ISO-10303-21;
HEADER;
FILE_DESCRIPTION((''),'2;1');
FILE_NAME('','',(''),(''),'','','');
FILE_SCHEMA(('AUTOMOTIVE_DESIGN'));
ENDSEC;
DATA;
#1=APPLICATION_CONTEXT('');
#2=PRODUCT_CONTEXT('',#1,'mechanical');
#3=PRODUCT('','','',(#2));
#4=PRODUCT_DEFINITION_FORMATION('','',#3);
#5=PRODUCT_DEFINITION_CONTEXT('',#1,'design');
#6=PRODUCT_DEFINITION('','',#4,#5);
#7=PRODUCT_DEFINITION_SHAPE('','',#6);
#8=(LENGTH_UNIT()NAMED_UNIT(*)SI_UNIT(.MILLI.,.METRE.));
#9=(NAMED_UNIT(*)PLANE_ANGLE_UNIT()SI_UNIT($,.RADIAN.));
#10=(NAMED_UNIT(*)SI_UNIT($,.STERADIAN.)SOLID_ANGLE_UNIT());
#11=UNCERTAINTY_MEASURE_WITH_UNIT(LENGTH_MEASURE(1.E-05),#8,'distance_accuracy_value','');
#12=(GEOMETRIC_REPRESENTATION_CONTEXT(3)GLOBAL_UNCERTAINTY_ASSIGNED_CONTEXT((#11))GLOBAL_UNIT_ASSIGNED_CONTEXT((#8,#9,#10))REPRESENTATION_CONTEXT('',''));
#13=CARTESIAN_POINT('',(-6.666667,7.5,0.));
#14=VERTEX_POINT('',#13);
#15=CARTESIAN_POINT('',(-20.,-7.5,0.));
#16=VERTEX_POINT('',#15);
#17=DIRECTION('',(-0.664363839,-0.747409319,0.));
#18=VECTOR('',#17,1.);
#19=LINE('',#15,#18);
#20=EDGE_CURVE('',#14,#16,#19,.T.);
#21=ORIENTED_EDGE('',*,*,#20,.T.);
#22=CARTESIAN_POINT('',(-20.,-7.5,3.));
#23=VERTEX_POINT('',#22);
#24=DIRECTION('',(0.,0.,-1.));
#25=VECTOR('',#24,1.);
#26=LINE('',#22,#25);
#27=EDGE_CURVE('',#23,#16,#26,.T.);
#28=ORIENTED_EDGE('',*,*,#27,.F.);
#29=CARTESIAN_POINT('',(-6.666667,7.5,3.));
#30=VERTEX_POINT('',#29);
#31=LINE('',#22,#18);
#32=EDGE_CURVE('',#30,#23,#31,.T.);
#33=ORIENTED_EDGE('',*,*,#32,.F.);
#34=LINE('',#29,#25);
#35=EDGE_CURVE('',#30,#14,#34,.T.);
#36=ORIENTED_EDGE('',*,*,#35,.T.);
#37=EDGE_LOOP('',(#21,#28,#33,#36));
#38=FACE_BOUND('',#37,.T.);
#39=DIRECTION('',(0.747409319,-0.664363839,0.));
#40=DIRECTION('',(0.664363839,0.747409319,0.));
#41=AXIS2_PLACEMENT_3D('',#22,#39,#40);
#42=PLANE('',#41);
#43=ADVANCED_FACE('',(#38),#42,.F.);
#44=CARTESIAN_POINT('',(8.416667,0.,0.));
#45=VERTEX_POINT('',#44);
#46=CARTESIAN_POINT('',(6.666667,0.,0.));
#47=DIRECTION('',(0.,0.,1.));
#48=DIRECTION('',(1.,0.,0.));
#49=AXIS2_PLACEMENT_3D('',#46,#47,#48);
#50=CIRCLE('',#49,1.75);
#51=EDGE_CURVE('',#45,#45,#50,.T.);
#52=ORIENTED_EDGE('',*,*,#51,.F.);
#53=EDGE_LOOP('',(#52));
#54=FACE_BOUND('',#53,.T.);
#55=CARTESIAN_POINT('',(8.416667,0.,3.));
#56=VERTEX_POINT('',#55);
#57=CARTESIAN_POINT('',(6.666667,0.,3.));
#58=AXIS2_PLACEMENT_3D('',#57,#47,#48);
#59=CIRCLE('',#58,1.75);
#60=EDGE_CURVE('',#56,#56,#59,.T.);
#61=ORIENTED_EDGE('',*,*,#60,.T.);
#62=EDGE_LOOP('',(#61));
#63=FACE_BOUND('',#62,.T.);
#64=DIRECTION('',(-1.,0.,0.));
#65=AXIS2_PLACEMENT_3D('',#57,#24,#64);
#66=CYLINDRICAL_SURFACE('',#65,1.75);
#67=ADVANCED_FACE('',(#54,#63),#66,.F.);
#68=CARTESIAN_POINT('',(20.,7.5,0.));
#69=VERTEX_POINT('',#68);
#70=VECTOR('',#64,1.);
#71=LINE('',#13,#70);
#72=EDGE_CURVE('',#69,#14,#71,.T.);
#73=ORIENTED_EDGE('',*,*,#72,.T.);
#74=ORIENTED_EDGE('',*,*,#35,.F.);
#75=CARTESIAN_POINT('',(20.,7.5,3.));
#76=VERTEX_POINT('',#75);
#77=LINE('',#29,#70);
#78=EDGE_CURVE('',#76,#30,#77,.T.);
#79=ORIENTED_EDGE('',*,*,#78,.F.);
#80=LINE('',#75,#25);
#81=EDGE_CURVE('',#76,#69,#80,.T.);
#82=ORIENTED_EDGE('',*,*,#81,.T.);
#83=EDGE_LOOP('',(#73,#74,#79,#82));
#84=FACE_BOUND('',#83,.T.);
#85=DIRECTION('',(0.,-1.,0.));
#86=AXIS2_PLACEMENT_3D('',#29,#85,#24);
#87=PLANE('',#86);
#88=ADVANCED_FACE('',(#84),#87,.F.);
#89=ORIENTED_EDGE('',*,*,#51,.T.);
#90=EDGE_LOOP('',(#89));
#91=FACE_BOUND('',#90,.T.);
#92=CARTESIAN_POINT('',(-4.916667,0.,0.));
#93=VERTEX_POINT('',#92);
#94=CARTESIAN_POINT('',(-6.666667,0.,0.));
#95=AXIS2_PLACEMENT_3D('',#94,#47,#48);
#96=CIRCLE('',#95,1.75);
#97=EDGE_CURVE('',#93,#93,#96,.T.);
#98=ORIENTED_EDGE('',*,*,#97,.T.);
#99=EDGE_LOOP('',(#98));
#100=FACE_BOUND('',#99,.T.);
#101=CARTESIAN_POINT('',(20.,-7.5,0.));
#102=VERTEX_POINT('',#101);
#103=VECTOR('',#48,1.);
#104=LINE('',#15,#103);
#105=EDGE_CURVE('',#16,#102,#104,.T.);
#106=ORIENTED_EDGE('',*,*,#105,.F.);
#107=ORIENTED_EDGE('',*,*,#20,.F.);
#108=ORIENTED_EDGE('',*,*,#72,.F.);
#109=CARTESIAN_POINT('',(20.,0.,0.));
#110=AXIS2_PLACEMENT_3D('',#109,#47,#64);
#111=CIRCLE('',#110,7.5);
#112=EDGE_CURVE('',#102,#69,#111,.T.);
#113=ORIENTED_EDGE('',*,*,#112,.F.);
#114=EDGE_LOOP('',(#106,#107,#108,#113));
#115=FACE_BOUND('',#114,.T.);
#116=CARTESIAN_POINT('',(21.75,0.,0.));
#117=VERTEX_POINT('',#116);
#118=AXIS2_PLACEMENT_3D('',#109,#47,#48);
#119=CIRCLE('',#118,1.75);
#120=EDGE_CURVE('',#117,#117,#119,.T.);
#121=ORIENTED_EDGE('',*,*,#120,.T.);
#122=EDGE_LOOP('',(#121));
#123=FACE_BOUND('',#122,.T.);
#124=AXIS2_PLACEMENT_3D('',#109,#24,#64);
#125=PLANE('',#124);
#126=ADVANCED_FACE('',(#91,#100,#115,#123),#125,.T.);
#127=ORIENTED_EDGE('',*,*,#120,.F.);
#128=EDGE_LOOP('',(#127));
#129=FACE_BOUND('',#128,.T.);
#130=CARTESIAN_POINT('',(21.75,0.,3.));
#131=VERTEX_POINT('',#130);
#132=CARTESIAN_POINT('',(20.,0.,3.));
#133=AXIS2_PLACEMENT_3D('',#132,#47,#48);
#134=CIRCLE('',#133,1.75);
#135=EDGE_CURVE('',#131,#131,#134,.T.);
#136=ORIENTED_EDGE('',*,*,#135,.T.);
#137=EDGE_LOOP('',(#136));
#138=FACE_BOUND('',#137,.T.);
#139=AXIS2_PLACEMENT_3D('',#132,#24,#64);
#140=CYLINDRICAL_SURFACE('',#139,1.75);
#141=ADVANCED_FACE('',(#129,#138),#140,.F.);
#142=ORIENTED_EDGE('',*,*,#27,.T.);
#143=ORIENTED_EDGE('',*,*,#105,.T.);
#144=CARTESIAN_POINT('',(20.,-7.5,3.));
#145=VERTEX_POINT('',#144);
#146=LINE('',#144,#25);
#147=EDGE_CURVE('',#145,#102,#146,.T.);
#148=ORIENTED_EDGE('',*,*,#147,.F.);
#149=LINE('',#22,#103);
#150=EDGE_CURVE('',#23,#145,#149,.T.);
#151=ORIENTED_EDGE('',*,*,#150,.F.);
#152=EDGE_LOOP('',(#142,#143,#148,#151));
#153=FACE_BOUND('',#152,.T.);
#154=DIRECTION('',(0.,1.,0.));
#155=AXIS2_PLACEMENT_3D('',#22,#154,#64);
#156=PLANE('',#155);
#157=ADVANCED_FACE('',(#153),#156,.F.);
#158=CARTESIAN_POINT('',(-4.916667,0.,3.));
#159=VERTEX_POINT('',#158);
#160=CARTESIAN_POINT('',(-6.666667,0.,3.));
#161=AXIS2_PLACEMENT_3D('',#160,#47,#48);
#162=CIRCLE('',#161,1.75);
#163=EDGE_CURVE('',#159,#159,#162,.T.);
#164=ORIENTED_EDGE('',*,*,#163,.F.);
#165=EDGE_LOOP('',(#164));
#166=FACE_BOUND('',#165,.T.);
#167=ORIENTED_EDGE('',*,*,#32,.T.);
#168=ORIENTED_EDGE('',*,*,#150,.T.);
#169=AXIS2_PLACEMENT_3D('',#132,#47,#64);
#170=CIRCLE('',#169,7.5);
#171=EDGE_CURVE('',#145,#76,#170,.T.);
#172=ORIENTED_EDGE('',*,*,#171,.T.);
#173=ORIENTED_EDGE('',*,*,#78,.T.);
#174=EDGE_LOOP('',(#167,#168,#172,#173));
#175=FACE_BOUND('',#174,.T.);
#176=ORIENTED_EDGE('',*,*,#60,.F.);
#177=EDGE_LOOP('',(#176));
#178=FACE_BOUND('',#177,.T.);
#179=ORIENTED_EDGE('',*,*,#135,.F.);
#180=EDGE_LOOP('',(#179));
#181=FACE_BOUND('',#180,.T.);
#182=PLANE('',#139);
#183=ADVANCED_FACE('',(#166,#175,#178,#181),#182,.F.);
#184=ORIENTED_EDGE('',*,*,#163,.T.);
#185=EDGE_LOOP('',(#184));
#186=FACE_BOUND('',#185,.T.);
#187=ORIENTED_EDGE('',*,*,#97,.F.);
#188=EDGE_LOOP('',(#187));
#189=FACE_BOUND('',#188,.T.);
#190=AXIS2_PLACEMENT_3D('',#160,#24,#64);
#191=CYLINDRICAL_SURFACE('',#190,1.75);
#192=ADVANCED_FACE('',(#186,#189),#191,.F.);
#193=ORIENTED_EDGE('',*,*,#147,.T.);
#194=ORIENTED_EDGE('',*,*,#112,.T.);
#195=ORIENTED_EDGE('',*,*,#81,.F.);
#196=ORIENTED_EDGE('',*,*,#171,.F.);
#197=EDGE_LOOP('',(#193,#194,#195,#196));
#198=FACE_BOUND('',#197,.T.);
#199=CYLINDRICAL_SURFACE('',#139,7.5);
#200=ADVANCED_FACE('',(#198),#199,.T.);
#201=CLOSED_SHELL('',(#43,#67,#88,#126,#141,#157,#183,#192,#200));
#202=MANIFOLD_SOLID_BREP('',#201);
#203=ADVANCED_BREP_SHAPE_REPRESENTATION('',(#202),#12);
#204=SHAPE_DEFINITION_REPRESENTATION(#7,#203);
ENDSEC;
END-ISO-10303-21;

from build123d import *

# Parameters (mm, degrees)
SKETCH_1_R      = 1.75
EXTRUDE_1_DEPTH = 3


with BuildPart() as part:
    # 草圖1 → 伸長1 (new body)
    with BuildSketch(Plane.XY):
        with BuildLine():
            Line((-6.666666667, 7.5), (20, 7.5))
            ThreePointArc((20, 7.5), (27.5, 0), (20, -7.5))
            Line((20, -7.5), (-20, -7.5))
            Line((-20, -7.5), (-6.666666667, 7.5))
        make_face()
        with Locations((20, 0)):
            Circle(SKETCH_1_R, mode=Mode.SUBTRACT)
        with Locations((-6.666666667, 0)):
            Circle(SKETCH_1_R, mode=Mode.SUBTRACT)
        with Locations((6.666666667, 0)):
            Circle(SKETCH_1_R, mode=Mode.SUBTRACT)
    extrude(amount=EXTRUDE_1_DEPTH)


solid = part.part
